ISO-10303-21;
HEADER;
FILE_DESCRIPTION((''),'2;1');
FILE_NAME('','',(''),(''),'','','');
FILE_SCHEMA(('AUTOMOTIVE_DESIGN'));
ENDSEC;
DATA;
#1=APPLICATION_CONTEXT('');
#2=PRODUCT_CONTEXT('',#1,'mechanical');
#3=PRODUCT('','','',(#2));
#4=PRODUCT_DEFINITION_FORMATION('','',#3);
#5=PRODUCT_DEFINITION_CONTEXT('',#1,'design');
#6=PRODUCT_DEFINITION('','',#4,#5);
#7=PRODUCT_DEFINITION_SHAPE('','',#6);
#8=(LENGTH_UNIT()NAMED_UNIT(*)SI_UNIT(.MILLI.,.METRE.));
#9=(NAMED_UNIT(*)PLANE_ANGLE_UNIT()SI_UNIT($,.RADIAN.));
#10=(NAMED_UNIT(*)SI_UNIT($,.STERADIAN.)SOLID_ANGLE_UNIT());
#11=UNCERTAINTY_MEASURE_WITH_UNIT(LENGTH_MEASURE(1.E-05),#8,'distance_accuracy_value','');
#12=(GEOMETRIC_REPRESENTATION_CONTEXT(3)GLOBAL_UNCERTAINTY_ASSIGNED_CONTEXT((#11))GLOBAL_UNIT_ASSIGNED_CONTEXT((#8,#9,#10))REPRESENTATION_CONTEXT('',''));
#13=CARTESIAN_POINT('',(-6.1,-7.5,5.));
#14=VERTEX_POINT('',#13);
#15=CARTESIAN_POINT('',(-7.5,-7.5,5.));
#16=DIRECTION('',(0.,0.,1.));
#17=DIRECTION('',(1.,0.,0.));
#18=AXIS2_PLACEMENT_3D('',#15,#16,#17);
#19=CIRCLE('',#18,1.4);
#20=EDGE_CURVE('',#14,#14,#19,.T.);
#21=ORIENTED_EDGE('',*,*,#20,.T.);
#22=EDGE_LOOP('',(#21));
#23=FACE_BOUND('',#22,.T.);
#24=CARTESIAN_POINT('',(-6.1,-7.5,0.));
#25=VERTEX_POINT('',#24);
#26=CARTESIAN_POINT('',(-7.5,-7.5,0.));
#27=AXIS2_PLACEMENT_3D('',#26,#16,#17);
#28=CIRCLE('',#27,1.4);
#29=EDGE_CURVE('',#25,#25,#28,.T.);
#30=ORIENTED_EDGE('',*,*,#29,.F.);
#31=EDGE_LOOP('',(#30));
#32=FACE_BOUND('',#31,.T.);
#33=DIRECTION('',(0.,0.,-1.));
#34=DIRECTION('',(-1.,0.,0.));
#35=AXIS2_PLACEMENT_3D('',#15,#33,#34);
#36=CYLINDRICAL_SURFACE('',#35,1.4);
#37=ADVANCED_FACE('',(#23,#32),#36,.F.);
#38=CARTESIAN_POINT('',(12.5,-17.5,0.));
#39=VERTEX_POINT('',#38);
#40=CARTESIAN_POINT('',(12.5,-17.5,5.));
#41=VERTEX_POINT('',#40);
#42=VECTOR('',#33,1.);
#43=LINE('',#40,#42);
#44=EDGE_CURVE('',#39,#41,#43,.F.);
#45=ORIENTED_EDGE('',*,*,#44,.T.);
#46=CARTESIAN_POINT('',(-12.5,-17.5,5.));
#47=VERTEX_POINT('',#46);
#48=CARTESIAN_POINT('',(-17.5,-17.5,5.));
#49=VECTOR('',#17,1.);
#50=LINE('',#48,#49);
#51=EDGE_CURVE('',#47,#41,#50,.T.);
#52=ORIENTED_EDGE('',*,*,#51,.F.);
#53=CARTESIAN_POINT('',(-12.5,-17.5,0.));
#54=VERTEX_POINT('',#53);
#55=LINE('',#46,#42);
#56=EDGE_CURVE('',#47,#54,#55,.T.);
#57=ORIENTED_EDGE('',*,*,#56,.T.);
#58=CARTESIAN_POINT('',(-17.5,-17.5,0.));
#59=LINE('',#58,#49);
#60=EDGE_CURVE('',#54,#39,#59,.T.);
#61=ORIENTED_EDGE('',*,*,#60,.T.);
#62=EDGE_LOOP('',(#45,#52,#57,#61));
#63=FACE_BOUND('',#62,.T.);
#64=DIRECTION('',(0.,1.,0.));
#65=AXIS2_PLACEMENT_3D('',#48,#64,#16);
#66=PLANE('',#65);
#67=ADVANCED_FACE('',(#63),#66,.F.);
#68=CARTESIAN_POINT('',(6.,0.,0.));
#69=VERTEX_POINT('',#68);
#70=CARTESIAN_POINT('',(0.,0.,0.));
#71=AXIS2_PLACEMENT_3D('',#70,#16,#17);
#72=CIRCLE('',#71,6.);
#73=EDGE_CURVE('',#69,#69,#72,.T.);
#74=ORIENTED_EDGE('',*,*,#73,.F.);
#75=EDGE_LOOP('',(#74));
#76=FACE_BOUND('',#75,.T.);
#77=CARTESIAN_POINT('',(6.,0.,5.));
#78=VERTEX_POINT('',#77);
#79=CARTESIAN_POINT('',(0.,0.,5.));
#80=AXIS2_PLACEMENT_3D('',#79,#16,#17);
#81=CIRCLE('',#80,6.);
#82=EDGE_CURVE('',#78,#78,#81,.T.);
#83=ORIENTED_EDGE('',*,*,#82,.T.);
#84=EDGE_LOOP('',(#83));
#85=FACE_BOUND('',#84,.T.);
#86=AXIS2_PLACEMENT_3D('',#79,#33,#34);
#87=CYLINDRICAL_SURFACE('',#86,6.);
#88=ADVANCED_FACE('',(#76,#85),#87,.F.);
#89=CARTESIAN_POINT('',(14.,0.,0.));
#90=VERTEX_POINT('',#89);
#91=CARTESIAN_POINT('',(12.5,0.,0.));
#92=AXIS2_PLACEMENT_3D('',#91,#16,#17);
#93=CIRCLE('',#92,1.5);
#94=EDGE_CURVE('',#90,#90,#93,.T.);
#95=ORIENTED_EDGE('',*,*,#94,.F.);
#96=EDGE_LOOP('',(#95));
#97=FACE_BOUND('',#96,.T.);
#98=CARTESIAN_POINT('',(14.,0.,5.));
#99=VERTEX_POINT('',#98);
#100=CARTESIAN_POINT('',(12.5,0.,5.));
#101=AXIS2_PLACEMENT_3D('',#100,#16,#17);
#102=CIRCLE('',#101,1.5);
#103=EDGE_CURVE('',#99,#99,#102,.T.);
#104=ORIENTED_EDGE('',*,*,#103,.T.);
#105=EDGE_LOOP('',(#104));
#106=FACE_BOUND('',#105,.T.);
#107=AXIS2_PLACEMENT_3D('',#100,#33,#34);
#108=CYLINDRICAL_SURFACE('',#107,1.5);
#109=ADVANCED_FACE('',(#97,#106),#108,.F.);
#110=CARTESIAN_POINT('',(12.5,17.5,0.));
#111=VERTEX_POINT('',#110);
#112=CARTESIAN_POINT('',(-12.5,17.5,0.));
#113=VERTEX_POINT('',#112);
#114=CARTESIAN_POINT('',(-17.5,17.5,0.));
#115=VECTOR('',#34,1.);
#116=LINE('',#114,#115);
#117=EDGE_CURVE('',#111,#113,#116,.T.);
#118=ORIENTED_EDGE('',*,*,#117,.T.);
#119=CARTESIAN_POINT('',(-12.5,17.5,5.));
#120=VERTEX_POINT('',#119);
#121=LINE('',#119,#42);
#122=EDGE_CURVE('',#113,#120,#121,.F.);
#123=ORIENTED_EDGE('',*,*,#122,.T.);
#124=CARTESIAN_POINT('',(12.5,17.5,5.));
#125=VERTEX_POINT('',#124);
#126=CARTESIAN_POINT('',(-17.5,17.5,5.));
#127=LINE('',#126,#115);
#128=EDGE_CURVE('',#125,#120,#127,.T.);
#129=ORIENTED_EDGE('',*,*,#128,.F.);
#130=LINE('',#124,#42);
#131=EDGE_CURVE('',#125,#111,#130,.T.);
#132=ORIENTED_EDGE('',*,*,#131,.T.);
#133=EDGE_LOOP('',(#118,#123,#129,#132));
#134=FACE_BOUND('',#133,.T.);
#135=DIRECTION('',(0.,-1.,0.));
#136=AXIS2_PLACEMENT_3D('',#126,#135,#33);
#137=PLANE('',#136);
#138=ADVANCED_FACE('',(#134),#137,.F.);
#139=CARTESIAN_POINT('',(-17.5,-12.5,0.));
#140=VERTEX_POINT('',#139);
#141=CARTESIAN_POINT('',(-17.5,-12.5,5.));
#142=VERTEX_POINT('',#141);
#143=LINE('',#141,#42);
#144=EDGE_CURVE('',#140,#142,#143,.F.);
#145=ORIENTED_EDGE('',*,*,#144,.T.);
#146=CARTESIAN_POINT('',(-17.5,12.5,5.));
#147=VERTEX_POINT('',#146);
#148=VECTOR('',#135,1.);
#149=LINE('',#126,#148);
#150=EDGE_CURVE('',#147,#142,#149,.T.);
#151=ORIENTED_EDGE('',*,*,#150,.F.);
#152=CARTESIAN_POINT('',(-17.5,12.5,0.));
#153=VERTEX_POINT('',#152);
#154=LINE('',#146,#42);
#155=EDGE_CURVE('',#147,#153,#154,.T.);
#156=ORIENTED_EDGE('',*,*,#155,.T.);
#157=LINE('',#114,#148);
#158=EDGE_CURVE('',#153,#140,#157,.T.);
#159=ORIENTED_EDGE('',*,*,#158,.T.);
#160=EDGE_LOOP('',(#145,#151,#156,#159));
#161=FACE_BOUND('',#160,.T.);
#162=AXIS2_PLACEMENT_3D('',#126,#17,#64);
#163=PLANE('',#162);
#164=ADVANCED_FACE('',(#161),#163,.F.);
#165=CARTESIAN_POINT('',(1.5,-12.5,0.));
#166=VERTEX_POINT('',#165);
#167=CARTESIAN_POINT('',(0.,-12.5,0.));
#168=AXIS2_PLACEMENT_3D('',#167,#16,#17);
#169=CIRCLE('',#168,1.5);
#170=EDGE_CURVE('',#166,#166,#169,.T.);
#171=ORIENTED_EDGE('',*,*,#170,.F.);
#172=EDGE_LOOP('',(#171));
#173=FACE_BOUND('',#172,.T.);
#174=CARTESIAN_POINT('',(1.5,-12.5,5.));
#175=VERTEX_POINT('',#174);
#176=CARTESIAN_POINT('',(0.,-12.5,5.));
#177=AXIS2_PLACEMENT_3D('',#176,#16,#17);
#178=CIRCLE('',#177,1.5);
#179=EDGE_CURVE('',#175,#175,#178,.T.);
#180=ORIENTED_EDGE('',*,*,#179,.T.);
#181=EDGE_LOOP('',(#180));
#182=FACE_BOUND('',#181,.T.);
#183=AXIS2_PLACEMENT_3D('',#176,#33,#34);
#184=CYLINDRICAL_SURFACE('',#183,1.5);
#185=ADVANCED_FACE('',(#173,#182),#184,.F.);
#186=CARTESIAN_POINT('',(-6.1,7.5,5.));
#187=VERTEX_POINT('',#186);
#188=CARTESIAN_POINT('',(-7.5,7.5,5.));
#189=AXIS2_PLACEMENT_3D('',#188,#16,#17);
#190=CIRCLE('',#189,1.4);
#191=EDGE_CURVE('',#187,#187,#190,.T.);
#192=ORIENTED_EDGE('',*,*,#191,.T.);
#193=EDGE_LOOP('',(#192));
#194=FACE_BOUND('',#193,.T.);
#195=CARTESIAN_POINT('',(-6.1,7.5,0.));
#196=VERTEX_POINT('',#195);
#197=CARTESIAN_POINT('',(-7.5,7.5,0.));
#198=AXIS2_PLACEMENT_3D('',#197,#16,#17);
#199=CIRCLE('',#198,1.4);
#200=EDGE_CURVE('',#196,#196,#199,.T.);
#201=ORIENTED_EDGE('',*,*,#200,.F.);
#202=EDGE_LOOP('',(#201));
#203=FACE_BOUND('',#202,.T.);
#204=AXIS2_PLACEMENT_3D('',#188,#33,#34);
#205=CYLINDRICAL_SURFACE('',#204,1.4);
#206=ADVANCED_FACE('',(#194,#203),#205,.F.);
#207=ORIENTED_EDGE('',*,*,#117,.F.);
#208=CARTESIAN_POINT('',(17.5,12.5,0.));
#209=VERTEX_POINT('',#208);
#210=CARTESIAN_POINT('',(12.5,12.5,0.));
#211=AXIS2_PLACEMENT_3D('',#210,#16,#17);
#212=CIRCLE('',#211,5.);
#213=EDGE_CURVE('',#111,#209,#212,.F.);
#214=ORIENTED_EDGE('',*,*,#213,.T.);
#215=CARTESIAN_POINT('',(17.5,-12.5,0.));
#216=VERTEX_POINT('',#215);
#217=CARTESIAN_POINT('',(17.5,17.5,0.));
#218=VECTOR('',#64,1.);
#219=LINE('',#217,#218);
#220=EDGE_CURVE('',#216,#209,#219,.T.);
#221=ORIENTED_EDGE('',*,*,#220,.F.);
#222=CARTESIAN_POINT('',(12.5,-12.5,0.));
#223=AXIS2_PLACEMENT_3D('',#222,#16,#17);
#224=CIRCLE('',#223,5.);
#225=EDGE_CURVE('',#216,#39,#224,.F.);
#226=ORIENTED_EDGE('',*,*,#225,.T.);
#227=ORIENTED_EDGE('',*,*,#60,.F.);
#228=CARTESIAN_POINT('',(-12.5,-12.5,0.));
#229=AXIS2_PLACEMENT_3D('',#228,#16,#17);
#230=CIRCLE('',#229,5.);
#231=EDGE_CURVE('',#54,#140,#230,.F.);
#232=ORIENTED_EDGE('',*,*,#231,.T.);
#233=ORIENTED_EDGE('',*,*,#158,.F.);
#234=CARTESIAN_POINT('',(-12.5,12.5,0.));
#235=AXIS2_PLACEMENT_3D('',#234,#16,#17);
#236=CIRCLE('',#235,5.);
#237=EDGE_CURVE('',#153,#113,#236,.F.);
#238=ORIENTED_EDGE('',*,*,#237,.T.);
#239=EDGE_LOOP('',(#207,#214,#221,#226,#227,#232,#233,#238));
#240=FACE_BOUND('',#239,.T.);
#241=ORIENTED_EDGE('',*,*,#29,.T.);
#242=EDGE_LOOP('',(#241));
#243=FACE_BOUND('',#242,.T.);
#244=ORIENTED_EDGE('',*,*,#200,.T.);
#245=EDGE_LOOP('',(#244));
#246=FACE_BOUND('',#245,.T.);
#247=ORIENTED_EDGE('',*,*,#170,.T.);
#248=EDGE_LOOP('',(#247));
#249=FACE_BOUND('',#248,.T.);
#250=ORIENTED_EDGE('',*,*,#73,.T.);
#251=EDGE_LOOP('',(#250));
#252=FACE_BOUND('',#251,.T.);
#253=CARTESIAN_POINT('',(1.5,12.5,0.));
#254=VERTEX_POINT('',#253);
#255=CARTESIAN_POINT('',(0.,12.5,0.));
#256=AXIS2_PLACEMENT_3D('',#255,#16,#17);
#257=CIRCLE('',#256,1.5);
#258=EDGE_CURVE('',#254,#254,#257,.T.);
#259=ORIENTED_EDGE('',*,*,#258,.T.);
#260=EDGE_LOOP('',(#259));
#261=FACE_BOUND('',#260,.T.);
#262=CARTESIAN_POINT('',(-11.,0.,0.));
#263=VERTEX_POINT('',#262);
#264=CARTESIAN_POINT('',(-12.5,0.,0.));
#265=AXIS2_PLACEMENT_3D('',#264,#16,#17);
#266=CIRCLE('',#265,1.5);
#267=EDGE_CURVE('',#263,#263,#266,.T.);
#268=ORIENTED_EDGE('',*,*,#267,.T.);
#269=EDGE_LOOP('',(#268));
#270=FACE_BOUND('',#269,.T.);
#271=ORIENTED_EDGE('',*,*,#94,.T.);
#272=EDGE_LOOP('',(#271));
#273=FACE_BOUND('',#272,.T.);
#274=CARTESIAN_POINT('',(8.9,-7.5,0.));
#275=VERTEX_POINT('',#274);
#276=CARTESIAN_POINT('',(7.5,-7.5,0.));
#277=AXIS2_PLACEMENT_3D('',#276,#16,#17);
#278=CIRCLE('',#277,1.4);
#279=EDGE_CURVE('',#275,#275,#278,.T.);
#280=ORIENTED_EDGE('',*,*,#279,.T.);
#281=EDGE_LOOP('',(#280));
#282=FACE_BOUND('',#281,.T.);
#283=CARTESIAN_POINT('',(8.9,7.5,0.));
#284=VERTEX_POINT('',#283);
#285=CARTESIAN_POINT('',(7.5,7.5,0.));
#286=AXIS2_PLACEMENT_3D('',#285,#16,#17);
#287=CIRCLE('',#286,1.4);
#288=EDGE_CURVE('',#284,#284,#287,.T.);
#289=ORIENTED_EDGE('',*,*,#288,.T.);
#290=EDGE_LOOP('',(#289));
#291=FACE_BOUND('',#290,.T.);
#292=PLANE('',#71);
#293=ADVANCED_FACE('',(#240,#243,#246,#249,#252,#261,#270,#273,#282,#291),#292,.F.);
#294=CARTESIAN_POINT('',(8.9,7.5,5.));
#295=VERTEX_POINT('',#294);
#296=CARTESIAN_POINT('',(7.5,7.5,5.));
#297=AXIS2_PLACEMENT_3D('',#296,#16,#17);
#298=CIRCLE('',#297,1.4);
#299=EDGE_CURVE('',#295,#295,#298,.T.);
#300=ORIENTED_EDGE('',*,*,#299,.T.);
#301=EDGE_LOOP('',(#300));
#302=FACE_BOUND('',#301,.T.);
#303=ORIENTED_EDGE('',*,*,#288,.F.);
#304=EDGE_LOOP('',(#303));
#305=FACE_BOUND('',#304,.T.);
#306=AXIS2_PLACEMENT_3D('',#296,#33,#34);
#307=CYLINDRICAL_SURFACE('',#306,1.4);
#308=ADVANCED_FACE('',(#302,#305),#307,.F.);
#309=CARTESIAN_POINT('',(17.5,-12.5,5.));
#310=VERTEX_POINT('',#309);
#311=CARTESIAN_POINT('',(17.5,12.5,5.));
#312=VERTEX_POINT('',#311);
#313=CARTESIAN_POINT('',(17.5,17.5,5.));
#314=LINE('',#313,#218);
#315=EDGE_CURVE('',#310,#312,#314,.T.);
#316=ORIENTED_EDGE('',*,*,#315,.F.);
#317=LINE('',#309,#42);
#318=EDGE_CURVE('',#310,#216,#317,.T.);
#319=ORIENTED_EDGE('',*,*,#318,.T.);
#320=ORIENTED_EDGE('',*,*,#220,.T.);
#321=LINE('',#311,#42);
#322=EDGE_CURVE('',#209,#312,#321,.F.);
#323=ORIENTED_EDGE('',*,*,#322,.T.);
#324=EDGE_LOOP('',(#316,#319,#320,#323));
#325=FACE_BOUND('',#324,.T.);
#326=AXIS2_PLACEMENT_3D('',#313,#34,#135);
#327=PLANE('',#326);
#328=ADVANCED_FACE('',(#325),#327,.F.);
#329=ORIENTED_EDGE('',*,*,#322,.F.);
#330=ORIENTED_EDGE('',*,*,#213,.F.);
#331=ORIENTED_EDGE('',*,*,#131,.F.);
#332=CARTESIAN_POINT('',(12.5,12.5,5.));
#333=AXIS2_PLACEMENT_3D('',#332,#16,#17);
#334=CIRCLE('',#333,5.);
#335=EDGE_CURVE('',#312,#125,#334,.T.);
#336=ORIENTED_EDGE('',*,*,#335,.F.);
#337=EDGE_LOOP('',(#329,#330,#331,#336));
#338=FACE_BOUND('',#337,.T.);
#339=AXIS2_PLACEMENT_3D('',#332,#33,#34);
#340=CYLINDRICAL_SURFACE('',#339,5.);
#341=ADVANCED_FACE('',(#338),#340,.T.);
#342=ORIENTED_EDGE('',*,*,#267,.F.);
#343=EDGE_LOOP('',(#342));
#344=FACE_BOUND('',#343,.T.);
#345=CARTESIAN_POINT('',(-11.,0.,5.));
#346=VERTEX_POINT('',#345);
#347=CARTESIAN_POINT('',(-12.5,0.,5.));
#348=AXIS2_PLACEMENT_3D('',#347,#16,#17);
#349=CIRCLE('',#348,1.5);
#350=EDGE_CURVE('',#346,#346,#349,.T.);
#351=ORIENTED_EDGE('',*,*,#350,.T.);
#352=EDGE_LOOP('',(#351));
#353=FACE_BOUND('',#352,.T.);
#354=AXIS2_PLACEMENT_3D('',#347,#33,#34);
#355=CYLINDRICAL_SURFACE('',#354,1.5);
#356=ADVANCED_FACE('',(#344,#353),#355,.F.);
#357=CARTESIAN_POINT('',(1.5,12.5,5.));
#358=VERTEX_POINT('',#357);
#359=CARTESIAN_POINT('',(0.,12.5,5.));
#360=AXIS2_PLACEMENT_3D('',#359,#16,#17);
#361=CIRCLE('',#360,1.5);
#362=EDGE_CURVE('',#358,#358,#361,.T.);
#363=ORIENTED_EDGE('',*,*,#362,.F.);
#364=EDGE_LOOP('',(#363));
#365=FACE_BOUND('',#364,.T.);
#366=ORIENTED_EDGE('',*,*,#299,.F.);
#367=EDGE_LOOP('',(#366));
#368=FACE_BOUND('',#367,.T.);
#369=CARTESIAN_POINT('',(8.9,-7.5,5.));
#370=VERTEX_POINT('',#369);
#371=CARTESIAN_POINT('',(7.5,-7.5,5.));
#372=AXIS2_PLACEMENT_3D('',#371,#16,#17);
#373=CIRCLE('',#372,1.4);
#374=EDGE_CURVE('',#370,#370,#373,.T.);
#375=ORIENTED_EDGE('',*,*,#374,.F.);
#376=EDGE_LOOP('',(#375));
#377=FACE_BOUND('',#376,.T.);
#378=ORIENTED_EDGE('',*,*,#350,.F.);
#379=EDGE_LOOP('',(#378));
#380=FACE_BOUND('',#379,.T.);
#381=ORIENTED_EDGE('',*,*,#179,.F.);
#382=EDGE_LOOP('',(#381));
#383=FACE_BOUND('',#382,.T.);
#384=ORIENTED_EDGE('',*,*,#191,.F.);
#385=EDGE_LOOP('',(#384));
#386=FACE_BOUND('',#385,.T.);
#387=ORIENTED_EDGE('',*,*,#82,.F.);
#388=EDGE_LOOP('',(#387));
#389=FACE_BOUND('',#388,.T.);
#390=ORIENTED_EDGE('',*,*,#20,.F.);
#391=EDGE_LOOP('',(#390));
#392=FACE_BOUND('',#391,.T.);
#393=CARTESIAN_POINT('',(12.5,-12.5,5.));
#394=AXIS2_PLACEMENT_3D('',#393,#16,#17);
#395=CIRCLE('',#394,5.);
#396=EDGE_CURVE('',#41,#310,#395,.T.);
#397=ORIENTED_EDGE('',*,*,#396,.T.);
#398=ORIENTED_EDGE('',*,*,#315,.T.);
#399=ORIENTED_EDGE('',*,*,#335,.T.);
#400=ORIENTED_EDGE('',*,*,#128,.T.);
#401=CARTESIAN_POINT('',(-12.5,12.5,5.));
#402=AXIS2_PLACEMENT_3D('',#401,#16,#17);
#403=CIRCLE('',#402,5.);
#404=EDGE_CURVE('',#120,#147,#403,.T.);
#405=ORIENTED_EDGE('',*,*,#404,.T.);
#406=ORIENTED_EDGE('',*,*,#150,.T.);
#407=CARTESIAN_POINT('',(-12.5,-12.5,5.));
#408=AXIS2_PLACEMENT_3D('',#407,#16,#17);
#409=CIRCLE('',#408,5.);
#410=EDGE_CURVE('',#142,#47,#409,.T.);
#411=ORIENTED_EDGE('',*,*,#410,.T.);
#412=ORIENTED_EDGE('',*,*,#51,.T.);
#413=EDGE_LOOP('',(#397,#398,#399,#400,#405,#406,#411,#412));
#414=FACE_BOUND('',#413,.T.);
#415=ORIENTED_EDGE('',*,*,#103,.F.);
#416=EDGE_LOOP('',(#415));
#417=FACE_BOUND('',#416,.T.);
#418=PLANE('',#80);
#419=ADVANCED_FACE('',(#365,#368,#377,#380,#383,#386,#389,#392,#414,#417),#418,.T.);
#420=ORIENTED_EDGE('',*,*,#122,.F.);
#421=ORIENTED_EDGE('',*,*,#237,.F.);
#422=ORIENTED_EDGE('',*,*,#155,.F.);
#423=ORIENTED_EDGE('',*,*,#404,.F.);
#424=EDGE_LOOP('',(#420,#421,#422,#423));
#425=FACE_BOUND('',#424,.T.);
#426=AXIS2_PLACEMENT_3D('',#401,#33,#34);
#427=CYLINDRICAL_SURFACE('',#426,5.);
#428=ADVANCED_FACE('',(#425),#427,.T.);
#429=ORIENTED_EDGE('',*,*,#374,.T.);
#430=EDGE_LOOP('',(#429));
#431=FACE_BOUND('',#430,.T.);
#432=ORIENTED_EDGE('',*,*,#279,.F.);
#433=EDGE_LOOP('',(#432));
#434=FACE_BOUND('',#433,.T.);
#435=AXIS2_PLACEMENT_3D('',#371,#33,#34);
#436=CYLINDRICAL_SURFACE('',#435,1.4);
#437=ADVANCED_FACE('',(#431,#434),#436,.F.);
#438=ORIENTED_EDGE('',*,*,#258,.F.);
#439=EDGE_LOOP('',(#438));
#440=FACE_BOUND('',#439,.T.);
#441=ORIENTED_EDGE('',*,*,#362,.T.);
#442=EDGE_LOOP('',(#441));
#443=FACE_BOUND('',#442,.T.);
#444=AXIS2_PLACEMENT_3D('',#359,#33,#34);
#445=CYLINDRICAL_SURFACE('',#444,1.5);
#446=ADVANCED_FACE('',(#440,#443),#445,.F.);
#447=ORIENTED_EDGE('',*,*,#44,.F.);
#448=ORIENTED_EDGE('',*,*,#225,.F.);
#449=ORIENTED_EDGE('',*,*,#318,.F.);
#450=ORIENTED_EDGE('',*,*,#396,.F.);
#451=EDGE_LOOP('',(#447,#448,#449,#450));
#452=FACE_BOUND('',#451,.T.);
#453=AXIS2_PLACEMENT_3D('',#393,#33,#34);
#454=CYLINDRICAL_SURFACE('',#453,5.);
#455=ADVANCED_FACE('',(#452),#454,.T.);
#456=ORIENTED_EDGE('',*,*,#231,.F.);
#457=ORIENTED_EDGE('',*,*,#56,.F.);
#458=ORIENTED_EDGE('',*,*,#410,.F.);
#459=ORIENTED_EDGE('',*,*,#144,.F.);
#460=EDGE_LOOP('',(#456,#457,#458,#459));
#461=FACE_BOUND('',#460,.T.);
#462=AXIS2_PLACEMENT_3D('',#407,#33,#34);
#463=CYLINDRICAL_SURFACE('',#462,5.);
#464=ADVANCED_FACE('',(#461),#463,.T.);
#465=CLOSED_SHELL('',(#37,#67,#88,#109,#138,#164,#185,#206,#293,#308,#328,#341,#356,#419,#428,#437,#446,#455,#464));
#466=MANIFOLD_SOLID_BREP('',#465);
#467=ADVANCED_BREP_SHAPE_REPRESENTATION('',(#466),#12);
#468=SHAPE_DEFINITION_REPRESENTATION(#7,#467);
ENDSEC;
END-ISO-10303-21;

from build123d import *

# Parameters (mm, degrees)
SKETCH_1_W      = 35
SKETCH_1_H      = 35
SKETCH_1_R      = 1.5
SKETCH_1_R_2    = 6
SKETCH_1_R_3    = 1.4
EXTRUDE_1_DEPTH = 5
FILLET_1_R      = 5


with BuildPart() as part:
    # 草图1 → 凸台-拉伸1 (new body)
    with BuildSketch(Plane.XY):
        Rectangle(SKETCH_1_W, SKETCH_1_H)
        with Locations((0, 12.5)):
            Circle(SKETCH_1_R, mode=Mode.SUBTRACT)
        with Locations((12.5, 0)):
            Circle(SKETCH_1_R, mode=Mode.SUBTRACT)
        with Locations((0, -12.5)):
            Circle(SKETCH_1_R, mode=Mode.SUBTRACT)
        with Locations((-12.5, 0)):
            Circle(SKETCH_1_R, mode=Mode.SUBTRACT)
        Circle(SKETCH_1_R_2, mode=Mode.SUBTRACT)
        with Locations((-7.5, 7.5)):
            Circle(SKETCH_1_R_3, mode=Mode.SUBTRACT)
        with Locations((7.5, 7.5)):
            Circle(SKETCH_1_R_3, mode=Mode.SUBTRACT)
        with Locations((7.5, -7.5)):
            Circle(SKETCH_1_R_3, mode=Mode.SUBTRACT)
        with Locations((-7.5, -7.5)):
            Circle(SKETCH_1_R_3, mode=Mode.SUBTRACT)
    extrude(amount=EXTRUDE_1_DEPTH)

    # 圆角1
    fillet_1_edges = [part.edges().sort_by_distance(p)[0] for p in [
        (17.5, -17.5, 2.5),
        (-17.5, -17.5, 2.5),
        (-17.5, 17.5, 2.5),
        (17.5, 17.5, 2.5),
    ]]
    fillet(fillet_1_edges, radius=FILLET_1_R)


solid = part.part
